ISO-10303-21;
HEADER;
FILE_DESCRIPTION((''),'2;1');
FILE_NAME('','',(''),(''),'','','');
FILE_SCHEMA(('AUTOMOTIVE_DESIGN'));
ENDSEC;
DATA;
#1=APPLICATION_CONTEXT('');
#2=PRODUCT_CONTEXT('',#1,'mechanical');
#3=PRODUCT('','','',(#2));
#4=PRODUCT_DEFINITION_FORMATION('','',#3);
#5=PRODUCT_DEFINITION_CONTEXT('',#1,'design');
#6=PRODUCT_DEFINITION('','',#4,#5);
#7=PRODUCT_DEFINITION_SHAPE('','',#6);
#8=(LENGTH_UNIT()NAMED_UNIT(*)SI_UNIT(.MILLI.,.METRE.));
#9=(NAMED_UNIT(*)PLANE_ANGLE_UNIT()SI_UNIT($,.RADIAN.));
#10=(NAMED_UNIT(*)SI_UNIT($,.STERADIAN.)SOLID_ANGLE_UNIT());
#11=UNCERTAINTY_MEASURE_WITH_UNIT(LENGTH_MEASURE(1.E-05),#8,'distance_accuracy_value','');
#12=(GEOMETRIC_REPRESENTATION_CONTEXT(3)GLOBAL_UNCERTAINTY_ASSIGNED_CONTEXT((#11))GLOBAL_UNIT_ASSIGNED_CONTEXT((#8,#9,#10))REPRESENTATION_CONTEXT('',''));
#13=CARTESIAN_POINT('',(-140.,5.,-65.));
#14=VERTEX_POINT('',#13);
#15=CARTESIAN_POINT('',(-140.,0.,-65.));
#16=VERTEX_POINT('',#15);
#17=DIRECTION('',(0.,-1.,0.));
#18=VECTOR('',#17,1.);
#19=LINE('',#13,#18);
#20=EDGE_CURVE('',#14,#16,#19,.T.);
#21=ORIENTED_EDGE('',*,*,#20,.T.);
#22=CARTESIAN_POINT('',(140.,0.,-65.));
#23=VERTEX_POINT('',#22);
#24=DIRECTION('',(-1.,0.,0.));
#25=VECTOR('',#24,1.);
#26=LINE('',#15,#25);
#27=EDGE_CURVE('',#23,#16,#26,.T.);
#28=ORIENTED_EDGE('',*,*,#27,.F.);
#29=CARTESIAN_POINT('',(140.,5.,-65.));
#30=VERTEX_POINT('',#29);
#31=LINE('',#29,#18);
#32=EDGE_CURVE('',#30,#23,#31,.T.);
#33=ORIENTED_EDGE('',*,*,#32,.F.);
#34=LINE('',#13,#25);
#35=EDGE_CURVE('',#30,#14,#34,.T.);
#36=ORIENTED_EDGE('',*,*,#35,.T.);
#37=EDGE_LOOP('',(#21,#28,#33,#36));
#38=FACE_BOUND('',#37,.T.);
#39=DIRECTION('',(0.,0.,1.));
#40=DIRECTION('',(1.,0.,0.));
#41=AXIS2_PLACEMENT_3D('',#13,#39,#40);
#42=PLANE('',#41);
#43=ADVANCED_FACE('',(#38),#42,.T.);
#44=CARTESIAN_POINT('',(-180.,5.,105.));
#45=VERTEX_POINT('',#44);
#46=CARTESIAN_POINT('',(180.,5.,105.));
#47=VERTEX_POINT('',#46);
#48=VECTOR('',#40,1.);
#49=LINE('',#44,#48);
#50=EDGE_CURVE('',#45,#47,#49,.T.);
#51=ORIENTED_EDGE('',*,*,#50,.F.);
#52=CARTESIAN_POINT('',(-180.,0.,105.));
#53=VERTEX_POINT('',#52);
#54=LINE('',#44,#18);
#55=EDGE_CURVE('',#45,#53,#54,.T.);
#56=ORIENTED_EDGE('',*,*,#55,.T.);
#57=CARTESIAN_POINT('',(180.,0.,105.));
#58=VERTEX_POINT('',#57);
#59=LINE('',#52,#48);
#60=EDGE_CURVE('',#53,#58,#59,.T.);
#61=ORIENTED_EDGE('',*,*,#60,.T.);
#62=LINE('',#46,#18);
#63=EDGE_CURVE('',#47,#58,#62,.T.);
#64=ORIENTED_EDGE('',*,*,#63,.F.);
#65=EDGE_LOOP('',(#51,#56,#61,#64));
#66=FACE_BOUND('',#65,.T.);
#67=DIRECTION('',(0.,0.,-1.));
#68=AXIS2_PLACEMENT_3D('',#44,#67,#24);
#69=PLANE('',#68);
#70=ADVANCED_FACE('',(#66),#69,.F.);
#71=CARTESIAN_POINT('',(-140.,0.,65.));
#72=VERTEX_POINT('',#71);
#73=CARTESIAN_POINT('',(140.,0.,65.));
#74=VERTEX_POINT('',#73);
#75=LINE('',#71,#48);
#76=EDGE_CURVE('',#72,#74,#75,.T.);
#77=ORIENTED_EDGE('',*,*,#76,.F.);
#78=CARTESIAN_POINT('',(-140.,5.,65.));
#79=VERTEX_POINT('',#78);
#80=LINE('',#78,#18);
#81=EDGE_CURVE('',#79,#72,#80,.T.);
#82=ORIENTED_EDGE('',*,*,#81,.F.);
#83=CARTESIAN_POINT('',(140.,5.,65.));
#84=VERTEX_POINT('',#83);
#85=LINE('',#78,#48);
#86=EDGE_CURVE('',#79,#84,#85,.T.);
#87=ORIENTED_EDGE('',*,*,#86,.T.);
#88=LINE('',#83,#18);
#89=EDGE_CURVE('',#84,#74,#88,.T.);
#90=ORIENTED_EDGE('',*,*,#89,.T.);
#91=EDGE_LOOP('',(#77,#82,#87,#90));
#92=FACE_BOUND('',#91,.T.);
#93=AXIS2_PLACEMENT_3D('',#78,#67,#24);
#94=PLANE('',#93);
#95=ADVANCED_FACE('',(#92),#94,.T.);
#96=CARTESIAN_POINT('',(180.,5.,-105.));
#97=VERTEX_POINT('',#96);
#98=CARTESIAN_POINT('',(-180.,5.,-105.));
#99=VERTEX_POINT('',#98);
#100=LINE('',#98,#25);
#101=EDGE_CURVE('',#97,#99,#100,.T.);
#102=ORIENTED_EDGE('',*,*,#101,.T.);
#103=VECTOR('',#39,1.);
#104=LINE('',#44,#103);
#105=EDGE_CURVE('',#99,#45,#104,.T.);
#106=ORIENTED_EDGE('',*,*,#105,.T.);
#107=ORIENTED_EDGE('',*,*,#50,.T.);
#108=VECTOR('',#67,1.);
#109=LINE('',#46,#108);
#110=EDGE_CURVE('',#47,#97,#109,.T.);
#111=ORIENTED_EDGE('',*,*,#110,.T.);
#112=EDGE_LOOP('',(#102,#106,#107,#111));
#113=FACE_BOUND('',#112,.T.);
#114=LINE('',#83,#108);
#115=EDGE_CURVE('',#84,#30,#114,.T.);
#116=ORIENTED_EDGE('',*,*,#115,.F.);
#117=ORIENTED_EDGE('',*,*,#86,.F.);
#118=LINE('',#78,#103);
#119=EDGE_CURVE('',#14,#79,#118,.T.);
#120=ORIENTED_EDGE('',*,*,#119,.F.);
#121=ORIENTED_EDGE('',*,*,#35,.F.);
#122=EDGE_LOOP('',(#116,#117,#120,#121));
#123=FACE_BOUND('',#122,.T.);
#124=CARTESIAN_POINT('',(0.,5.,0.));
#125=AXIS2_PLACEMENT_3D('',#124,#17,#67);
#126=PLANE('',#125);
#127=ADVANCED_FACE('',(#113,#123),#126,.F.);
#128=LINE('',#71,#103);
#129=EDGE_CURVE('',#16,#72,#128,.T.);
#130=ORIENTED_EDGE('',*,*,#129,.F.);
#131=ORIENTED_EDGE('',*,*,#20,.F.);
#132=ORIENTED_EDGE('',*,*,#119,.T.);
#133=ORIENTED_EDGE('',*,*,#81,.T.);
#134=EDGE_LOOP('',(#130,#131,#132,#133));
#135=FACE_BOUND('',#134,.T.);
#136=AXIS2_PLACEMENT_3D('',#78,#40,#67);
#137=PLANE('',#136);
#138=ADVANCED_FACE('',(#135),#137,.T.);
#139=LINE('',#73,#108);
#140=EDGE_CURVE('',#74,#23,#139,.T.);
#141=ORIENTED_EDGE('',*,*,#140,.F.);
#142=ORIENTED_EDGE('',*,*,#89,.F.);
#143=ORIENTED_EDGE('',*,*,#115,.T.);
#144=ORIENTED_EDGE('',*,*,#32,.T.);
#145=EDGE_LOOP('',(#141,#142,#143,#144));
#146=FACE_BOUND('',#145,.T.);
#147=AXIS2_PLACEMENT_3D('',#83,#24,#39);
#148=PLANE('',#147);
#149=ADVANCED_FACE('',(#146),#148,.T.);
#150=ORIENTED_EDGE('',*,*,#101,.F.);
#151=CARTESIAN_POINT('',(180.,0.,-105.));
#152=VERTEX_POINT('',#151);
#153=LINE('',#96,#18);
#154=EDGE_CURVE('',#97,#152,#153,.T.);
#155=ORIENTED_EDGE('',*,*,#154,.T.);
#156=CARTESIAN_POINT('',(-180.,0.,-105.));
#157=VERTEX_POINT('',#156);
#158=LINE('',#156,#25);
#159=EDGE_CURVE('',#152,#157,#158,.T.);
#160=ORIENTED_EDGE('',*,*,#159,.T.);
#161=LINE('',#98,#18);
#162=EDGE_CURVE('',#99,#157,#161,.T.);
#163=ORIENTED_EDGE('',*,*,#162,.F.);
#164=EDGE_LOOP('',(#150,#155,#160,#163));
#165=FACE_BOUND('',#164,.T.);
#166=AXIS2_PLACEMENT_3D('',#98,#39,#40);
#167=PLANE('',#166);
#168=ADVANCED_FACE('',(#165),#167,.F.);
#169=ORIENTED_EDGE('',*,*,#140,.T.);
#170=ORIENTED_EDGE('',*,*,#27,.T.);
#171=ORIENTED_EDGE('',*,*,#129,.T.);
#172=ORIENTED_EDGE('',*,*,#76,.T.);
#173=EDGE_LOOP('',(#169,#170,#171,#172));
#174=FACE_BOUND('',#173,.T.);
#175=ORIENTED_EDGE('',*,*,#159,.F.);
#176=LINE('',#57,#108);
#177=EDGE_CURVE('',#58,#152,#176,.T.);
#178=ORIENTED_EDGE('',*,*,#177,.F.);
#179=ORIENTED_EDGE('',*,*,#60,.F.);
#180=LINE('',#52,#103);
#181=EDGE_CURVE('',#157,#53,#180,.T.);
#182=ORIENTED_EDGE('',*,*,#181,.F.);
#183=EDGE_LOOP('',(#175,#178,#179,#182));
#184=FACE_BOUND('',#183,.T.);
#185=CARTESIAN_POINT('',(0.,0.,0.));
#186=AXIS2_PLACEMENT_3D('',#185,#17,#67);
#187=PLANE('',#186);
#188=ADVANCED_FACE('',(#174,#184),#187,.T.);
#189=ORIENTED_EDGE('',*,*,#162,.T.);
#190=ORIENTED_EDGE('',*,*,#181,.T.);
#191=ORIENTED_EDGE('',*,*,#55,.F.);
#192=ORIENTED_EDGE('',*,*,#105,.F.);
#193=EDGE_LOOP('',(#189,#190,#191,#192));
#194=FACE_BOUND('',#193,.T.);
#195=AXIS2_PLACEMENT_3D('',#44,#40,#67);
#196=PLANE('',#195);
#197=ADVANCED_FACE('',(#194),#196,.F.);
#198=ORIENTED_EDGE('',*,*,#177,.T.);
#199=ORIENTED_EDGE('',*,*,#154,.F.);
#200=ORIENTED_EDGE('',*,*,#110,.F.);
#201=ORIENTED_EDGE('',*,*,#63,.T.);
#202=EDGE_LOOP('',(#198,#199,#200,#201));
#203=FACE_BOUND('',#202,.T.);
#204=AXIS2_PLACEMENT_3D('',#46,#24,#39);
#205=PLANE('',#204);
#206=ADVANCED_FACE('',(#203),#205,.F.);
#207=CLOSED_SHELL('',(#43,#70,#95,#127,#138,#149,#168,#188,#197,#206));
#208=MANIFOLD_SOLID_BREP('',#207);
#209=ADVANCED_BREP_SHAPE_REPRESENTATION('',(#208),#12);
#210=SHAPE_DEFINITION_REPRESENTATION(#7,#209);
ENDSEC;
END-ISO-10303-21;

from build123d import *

# Parameters (mm, degrees)
SKETCH1_W           = 360
SKETCH1_H           = 210
SKETCH1_W_2         = 280
SKETCH1_H_2         = 130
BOSS_EXTRUDE1_DEPTH = 5


with BuildPart() as part:
    # Sketch1 → Boss-Extrude1 (new body)
    with BuildSketch(Plane(origin=(0, 0, 0), x_dir=(1, 0, 0), z_dir=(0, 1, 0))):
        Rectangle(SKETCH1_W, SKETCH1_H)
        Rectangle(SKETCH1_W_2, SKETCH1_H_2, mode=Mode.SUBTRACT)
    extrude(amount=BOSS_EXTRUDE1_DEPTH)


solid = part.part
